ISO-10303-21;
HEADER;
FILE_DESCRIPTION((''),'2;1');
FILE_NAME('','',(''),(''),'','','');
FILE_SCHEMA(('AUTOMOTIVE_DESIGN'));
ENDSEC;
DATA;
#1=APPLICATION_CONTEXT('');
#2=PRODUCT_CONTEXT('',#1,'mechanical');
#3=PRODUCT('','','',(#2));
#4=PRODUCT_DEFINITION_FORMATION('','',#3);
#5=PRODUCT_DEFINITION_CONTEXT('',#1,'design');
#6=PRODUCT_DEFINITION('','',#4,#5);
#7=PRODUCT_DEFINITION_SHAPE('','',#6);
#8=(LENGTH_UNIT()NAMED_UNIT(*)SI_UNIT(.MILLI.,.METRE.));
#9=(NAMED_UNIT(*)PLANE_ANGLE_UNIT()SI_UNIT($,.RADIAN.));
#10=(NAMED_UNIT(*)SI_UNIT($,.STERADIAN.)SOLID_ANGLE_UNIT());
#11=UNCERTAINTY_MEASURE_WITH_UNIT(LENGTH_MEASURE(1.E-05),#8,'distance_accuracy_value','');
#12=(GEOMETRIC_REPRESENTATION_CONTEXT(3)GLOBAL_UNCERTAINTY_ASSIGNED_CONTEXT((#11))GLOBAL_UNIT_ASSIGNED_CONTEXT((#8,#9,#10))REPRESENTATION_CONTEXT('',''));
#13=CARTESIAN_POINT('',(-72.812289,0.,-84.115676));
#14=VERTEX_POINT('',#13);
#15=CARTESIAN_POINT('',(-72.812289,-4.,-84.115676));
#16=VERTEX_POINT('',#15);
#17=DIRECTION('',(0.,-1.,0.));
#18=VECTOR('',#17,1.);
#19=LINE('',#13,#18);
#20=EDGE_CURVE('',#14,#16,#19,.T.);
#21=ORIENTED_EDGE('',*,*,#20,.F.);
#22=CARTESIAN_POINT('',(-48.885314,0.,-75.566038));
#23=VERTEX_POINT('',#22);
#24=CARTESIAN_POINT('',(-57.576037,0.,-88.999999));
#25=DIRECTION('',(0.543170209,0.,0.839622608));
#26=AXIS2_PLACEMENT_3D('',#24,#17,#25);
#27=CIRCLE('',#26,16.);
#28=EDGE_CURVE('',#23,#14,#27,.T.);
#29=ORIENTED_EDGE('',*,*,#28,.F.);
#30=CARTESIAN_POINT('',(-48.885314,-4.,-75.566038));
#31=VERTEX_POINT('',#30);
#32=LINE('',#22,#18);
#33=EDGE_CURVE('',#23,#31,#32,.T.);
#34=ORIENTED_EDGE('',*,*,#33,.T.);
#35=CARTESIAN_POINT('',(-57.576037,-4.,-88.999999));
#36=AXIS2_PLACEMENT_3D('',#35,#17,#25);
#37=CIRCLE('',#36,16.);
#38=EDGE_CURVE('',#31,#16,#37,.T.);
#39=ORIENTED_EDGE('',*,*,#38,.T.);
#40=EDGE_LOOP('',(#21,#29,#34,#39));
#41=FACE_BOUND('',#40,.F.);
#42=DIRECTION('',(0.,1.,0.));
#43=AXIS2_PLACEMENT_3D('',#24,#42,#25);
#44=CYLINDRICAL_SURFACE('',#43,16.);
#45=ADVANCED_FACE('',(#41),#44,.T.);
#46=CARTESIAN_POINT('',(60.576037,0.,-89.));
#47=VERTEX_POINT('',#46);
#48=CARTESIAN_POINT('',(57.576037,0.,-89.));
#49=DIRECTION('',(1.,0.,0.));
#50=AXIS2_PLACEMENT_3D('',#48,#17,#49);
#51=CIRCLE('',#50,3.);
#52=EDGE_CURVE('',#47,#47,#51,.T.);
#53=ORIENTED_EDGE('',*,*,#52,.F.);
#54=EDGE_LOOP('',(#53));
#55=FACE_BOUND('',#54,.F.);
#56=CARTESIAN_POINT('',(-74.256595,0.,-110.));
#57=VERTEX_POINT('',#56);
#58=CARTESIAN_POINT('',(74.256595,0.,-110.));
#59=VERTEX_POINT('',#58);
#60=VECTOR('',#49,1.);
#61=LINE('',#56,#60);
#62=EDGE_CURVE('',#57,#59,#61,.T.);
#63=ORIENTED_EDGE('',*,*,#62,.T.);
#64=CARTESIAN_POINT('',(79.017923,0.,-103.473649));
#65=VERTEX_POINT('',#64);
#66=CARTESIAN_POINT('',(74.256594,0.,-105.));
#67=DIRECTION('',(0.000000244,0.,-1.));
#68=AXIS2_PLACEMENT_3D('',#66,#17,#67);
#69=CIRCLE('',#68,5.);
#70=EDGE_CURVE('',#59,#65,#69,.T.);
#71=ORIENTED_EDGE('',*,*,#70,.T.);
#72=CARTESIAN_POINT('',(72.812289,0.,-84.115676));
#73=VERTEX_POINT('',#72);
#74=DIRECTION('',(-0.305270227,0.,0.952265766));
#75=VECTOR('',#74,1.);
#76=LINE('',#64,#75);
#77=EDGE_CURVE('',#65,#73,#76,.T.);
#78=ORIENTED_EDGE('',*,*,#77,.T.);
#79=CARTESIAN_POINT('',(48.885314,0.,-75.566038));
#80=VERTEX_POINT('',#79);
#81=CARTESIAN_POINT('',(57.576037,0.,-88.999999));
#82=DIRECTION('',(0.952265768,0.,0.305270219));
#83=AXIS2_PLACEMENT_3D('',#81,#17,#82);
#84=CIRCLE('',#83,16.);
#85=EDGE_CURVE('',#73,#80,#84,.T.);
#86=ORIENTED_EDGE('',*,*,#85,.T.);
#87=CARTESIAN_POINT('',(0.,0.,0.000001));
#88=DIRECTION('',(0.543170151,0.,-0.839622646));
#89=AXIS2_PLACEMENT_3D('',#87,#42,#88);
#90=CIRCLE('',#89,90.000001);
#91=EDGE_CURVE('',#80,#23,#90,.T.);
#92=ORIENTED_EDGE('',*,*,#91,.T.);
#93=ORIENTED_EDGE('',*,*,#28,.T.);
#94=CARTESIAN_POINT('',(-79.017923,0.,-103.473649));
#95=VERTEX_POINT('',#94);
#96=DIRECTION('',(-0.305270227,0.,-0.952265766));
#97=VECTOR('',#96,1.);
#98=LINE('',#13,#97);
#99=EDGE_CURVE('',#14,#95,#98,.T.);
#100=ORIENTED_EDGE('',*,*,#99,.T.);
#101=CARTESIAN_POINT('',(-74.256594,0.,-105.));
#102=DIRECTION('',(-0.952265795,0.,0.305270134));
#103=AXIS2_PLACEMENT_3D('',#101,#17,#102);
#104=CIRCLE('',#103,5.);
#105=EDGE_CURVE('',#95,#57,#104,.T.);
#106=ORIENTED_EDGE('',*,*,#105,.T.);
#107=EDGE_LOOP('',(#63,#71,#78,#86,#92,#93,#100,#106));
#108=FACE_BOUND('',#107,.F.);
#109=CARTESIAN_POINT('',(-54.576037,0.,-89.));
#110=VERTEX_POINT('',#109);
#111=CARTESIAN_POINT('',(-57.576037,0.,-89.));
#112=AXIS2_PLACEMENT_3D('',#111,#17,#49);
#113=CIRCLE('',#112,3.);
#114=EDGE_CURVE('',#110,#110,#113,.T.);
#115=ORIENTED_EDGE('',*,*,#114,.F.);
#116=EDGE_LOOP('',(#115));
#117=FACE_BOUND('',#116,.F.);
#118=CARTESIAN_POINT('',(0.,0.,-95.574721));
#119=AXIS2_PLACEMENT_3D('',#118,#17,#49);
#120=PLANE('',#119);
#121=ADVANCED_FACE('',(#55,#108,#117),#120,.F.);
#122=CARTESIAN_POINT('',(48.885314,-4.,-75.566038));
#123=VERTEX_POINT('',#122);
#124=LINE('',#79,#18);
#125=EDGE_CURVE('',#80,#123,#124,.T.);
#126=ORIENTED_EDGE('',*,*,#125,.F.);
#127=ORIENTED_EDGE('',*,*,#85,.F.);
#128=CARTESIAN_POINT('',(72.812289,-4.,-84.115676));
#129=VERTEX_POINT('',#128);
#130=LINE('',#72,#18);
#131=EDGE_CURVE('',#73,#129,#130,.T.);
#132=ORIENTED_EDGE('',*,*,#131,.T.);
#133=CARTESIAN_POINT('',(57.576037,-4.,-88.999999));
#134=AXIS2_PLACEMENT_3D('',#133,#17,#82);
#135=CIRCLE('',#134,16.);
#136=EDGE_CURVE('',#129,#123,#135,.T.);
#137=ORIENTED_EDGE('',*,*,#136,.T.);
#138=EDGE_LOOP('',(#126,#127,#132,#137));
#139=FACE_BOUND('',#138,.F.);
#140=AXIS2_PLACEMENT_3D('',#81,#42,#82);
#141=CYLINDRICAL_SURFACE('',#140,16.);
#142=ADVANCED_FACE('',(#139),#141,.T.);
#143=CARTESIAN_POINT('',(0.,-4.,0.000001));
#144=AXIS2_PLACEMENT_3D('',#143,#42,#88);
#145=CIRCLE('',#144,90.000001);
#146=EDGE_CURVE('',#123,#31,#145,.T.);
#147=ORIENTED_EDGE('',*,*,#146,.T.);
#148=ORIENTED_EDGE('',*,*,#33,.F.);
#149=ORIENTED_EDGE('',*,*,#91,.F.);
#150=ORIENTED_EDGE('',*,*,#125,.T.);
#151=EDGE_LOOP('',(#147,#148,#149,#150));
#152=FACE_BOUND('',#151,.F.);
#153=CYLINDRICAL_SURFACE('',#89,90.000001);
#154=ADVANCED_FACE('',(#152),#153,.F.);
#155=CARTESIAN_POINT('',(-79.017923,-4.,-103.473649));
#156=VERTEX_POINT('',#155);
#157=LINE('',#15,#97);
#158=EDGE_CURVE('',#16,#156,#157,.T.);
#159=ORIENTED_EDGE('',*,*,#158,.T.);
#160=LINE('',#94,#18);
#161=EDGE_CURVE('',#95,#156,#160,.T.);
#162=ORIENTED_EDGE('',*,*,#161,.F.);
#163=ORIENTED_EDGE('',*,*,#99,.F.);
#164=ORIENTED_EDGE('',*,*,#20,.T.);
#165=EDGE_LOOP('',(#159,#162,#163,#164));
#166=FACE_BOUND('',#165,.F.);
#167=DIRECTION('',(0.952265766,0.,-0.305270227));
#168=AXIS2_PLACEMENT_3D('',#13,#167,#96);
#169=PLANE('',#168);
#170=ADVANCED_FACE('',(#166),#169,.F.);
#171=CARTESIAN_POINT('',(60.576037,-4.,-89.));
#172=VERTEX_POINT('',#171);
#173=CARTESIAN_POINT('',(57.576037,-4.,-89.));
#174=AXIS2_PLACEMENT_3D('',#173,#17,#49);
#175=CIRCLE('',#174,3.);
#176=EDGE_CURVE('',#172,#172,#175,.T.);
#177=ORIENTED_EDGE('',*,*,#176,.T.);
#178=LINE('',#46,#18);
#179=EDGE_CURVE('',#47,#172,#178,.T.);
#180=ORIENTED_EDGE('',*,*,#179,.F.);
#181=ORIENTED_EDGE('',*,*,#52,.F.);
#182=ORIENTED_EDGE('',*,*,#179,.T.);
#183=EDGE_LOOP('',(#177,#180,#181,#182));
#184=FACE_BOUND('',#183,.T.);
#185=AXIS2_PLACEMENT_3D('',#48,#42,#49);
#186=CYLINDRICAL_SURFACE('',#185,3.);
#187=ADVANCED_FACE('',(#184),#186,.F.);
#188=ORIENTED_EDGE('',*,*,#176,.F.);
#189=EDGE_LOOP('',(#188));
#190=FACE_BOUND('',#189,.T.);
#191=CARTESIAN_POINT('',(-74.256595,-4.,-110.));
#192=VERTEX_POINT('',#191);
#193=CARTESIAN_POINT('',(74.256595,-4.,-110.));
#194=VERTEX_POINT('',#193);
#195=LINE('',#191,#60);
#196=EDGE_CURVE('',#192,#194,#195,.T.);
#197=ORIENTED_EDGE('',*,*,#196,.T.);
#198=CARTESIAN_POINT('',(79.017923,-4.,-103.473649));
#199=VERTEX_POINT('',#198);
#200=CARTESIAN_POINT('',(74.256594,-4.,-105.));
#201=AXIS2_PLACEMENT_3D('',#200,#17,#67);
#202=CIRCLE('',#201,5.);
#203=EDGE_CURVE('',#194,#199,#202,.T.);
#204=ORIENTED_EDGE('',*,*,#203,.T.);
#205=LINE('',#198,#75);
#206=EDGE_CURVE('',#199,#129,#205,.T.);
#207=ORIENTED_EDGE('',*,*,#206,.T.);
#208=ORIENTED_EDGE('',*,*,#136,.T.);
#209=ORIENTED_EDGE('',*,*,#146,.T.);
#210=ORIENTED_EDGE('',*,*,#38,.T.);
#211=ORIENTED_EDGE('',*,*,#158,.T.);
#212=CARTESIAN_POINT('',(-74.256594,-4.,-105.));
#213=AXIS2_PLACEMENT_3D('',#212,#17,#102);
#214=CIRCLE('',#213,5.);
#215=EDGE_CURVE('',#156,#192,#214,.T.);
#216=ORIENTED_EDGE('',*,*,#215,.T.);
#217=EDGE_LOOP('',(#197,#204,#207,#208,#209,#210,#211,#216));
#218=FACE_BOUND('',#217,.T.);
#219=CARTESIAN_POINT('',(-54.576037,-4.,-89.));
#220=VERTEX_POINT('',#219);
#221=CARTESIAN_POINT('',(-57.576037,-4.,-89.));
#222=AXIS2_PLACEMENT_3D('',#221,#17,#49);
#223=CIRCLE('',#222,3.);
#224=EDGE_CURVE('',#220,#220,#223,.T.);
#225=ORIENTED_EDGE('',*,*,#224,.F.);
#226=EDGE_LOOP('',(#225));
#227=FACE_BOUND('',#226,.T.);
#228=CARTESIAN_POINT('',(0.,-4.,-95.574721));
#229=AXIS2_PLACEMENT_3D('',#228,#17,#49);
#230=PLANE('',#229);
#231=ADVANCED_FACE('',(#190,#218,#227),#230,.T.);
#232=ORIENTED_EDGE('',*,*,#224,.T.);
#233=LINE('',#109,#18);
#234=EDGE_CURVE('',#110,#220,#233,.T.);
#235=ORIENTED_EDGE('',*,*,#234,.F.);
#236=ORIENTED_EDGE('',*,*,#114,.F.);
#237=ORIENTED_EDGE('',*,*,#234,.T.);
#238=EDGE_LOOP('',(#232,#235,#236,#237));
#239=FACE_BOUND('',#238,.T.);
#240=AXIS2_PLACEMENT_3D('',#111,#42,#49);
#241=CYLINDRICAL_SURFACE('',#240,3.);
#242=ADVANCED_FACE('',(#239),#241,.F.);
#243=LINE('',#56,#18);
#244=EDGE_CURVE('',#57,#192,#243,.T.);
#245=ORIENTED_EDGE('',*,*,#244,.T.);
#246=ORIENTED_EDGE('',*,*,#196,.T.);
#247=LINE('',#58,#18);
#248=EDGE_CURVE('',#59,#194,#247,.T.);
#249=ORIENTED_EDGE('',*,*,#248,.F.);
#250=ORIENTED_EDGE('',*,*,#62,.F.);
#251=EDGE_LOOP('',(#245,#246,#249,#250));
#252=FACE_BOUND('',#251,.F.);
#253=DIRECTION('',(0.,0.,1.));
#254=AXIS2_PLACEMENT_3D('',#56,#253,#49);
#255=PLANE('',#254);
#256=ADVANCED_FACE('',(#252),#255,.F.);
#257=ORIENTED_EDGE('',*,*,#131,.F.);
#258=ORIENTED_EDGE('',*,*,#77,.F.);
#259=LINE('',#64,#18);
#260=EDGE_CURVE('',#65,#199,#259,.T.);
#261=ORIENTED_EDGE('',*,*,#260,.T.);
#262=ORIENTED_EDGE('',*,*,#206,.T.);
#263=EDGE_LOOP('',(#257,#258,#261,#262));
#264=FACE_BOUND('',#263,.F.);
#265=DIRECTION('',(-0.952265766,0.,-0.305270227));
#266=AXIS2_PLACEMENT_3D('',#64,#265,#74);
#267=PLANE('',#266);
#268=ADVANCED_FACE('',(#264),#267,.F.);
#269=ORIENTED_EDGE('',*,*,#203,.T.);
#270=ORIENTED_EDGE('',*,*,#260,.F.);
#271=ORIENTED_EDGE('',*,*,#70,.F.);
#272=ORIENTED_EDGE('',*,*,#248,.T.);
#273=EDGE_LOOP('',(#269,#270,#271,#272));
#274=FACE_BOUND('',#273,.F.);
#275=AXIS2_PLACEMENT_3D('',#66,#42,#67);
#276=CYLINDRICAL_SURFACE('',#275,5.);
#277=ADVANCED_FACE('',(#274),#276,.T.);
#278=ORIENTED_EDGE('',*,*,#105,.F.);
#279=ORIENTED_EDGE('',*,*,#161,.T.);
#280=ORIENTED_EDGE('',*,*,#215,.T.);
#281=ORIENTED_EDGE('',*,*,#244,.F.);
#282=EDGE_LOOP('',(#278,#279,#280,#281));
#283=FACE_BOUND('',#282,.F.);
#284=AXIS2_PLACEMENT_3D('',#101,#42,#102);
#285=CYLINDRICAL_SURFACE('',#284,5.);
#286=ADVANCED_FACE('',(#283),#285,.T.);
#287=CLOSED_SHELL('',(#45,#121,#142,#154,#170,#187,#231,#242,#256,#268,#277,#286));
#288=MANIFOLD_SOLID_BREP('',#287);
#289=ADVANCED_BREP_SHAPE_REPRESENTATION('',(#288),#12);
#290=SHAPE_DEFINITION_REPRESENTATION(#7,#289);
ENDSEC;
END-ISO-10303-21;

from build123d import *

# Parameters (mm, degrees)
F0_R     = 3
F1_DEPTH = 4


with BuildPart() as f1:
    # F0 (on Front) → F1 (new body)
    with BuildSketch(Plane.XZ):
        with BuildLine():
            ThreePointArc((48.885314, -75.566038), (0, -90), (-48.885314, -75.566038))
            ThreePointArc((-48.885314, -75.566038), (-62.959815, -73.932985), (-72.812289, -84.115676))
            Line((-72.812289, -84.115676), (-79.017923, -103.473649))
            ThreePointArc((-79.017923, -103.473649), (-78.295886, -107.946883), (-74.256595, -110))
            Line((-74.256595, -110), (32.693748, -110))
            Line((32.693748, -110), (61.95706, -110))
            Line((61.95706, -110), (74.256595, -110))
            ThreePointArc((74.256595, -110), (78.295886, -107.946883), (79.017923, -103.473649))
            Line((79.017923, -103.473649), (72.812289, -84.115676))
            ThreePointArc((72.812289, -84.115676), (62.959815, -73.932985), (48.885314, -75.566038))
        make_face()
        with Locations((-57.576037, -89)):
            Circle(F0_R, mode=Mode.SUBTRACT)
        with Locations((57.576037, -89)):
            Circle(F0_R, mode=Mode.SUBTRACT)
    extrude(amount=F1_DEPTH)


solid = f1.part
